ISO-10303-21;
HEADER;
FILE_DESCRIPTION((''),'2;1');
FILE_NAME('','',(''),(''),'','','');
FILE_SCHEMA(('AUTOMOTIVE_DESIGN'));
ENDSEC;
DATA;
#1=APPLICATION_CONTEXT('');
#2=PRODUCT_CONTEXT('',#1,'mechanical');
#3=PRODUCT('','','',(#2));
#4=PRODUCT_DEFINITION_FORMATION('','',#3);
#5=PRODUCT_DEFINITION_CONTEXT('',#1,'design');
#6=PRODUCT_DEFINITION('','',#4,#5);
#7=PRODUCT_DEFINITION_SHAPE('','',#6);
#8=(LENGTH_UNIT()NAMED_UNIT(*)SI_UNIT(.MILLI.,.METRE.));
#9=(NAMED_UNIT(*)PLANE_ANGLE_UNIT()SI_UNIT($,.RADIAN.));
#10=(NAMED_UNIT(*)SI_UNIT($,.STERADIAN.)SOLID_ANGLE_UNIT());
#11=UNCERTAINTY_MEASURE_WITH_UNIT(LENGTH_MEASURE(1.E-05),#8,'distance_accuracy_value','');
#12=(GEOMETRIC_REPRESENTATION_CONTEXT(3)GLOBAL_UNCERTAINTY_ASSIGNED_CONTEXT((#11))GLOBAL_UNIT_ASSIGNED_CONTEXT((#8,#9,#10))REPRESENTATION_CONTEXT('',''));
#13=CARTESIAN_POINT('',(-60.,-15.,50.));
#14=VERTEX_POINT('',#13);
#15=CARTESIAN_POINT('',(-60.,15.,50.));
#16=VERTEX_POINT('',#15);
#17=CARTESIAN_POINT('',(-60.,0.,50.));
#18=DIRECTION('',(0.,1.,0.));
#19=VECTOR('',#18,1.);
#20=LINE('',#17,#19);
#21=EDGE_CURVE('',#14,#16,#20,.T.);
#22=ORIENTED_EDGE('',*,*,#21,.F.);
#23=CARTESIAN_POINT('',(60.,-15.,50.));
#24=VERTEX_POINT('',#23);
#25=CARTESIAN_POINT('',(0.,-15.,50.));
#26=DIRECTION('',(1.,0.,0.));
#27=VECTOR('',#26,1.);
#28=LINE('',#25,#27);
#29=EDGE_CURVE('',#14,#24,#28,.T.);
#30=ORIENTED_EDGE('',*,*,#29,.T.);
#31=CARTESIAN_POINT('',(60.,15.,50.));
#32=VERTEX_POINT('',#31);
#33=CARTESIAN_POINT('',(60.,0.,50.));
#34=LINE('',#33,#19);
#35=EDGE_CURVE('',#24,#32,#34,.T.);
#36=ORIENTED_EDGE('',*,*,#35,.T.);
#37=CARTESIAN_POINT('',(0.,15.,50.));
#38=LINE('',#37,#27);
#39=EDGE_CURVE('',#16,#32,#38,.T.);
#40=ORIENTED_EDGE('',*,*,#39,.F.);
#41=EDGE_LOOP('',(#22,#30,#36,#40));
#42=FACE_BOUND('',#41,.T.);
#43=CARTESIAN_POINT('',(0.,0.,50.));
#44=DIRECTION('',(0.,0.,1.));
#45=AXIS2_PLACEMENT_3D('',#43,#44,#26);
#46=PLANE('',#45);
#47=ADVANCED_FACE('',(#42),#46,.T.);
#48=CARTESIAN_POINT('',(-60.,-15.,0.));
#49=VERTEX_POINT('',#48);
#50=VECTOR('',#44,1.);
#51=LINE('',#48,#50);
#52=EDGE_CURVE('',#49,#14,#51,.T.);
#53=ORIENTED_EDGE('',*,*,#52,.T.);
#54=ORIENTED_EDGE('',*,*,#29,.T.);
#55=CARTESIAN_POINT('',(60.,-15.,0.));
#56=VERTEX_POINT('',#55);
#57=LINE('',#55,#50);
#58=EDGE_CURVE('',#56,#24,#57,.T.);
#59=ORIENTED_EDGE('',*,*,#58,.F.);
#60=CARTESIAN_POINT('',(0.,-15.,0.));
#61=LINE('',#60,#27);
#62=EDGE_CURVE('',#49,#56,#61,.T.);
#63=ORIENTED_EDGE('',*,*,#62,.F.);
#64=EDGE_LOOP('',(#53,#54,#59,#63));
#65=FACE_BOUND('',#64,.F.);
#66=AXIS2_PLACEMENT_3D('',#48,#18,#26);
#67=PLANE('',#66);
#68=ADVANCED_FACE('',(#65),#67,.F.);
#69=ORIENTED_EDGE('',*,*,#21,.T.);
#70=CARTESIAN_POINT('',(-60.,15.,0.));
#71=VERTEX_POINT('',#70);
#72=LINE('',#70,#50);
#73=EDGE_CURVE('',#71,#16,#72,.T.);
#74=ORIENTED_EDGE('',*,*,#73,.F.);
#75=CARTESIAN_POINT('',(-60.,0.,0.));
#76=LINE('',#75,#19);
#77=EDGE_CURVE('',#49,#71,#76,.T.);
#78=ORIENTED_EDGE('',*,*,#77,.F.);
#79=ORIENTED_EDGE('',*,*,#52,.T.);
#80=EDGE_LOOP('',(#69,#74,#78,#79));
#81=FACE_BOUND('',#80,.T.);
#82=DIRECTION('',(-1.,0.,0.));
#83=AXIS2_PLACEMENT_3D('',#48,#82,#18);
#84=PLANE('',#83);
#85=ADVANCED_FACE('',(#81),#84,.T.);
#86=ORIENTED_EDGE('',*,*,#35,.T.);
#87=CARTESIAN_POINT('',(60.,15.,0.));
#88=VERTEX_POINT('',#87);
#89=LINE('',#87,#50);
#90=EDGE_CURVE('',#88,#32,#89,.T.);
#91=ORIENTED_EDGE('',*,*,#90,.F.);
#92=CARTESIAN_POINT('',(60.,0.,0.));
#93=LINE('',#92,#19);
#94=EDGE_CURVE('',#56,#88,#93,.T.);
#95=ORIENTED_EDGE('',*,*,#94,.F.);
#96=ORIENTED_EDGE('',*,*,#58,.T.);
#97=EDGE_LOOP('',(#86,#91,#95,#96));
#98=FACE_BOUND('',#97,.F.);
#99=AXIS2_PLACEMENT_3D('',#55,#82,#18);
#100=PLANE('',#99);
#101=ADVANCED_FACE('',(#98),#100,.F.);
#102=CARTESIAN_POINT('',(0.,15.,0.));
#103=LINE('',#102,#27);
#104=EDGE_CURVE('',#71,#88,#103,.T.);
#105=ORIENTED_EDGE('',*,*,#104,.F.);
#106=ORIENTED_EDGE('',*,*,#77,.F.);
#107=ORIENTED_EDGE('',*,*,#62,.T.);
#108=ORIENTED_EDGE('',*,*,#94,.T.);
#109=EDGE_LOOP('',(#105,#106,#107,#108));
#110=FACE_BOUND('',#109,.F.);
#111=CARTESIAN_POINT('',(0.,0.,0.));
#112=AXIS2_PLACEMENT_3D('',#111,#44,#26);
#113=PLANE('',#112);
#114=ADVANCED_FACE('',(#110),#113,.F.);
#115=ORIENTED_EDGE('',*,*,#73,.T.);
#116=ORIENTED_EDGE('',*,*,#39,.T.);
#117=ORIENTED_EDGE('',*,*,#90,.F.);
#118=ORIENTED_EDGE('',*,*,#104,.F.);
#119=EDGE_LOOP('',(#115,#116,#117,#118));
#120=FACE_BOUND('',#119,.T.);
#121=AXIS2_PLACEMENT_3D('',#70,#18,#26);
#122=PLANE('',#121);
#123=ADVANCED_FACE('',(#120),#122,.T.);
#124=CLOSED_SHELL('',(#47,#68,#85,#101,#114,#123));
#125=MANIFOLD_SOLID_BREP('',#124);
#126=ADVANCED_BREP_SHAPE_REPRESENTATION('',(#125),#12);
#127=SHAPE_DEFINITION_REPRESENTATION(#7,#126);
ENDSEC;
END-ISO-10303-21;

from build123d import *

# Parameters (mm, degrees)
SKETCH_W      = 120
SKETCH_H      = 30
EXTRUDE_DEPTH = 50


with BuildPart() as part:
    # Sketch → Extrude (new body)
    with BuildSketch(Plane.XY):
        Rectangle(SKETCH_W, SKETCH_H)
    extrude(amount=EXTRUDE_DEPTH)


solid = part.part
